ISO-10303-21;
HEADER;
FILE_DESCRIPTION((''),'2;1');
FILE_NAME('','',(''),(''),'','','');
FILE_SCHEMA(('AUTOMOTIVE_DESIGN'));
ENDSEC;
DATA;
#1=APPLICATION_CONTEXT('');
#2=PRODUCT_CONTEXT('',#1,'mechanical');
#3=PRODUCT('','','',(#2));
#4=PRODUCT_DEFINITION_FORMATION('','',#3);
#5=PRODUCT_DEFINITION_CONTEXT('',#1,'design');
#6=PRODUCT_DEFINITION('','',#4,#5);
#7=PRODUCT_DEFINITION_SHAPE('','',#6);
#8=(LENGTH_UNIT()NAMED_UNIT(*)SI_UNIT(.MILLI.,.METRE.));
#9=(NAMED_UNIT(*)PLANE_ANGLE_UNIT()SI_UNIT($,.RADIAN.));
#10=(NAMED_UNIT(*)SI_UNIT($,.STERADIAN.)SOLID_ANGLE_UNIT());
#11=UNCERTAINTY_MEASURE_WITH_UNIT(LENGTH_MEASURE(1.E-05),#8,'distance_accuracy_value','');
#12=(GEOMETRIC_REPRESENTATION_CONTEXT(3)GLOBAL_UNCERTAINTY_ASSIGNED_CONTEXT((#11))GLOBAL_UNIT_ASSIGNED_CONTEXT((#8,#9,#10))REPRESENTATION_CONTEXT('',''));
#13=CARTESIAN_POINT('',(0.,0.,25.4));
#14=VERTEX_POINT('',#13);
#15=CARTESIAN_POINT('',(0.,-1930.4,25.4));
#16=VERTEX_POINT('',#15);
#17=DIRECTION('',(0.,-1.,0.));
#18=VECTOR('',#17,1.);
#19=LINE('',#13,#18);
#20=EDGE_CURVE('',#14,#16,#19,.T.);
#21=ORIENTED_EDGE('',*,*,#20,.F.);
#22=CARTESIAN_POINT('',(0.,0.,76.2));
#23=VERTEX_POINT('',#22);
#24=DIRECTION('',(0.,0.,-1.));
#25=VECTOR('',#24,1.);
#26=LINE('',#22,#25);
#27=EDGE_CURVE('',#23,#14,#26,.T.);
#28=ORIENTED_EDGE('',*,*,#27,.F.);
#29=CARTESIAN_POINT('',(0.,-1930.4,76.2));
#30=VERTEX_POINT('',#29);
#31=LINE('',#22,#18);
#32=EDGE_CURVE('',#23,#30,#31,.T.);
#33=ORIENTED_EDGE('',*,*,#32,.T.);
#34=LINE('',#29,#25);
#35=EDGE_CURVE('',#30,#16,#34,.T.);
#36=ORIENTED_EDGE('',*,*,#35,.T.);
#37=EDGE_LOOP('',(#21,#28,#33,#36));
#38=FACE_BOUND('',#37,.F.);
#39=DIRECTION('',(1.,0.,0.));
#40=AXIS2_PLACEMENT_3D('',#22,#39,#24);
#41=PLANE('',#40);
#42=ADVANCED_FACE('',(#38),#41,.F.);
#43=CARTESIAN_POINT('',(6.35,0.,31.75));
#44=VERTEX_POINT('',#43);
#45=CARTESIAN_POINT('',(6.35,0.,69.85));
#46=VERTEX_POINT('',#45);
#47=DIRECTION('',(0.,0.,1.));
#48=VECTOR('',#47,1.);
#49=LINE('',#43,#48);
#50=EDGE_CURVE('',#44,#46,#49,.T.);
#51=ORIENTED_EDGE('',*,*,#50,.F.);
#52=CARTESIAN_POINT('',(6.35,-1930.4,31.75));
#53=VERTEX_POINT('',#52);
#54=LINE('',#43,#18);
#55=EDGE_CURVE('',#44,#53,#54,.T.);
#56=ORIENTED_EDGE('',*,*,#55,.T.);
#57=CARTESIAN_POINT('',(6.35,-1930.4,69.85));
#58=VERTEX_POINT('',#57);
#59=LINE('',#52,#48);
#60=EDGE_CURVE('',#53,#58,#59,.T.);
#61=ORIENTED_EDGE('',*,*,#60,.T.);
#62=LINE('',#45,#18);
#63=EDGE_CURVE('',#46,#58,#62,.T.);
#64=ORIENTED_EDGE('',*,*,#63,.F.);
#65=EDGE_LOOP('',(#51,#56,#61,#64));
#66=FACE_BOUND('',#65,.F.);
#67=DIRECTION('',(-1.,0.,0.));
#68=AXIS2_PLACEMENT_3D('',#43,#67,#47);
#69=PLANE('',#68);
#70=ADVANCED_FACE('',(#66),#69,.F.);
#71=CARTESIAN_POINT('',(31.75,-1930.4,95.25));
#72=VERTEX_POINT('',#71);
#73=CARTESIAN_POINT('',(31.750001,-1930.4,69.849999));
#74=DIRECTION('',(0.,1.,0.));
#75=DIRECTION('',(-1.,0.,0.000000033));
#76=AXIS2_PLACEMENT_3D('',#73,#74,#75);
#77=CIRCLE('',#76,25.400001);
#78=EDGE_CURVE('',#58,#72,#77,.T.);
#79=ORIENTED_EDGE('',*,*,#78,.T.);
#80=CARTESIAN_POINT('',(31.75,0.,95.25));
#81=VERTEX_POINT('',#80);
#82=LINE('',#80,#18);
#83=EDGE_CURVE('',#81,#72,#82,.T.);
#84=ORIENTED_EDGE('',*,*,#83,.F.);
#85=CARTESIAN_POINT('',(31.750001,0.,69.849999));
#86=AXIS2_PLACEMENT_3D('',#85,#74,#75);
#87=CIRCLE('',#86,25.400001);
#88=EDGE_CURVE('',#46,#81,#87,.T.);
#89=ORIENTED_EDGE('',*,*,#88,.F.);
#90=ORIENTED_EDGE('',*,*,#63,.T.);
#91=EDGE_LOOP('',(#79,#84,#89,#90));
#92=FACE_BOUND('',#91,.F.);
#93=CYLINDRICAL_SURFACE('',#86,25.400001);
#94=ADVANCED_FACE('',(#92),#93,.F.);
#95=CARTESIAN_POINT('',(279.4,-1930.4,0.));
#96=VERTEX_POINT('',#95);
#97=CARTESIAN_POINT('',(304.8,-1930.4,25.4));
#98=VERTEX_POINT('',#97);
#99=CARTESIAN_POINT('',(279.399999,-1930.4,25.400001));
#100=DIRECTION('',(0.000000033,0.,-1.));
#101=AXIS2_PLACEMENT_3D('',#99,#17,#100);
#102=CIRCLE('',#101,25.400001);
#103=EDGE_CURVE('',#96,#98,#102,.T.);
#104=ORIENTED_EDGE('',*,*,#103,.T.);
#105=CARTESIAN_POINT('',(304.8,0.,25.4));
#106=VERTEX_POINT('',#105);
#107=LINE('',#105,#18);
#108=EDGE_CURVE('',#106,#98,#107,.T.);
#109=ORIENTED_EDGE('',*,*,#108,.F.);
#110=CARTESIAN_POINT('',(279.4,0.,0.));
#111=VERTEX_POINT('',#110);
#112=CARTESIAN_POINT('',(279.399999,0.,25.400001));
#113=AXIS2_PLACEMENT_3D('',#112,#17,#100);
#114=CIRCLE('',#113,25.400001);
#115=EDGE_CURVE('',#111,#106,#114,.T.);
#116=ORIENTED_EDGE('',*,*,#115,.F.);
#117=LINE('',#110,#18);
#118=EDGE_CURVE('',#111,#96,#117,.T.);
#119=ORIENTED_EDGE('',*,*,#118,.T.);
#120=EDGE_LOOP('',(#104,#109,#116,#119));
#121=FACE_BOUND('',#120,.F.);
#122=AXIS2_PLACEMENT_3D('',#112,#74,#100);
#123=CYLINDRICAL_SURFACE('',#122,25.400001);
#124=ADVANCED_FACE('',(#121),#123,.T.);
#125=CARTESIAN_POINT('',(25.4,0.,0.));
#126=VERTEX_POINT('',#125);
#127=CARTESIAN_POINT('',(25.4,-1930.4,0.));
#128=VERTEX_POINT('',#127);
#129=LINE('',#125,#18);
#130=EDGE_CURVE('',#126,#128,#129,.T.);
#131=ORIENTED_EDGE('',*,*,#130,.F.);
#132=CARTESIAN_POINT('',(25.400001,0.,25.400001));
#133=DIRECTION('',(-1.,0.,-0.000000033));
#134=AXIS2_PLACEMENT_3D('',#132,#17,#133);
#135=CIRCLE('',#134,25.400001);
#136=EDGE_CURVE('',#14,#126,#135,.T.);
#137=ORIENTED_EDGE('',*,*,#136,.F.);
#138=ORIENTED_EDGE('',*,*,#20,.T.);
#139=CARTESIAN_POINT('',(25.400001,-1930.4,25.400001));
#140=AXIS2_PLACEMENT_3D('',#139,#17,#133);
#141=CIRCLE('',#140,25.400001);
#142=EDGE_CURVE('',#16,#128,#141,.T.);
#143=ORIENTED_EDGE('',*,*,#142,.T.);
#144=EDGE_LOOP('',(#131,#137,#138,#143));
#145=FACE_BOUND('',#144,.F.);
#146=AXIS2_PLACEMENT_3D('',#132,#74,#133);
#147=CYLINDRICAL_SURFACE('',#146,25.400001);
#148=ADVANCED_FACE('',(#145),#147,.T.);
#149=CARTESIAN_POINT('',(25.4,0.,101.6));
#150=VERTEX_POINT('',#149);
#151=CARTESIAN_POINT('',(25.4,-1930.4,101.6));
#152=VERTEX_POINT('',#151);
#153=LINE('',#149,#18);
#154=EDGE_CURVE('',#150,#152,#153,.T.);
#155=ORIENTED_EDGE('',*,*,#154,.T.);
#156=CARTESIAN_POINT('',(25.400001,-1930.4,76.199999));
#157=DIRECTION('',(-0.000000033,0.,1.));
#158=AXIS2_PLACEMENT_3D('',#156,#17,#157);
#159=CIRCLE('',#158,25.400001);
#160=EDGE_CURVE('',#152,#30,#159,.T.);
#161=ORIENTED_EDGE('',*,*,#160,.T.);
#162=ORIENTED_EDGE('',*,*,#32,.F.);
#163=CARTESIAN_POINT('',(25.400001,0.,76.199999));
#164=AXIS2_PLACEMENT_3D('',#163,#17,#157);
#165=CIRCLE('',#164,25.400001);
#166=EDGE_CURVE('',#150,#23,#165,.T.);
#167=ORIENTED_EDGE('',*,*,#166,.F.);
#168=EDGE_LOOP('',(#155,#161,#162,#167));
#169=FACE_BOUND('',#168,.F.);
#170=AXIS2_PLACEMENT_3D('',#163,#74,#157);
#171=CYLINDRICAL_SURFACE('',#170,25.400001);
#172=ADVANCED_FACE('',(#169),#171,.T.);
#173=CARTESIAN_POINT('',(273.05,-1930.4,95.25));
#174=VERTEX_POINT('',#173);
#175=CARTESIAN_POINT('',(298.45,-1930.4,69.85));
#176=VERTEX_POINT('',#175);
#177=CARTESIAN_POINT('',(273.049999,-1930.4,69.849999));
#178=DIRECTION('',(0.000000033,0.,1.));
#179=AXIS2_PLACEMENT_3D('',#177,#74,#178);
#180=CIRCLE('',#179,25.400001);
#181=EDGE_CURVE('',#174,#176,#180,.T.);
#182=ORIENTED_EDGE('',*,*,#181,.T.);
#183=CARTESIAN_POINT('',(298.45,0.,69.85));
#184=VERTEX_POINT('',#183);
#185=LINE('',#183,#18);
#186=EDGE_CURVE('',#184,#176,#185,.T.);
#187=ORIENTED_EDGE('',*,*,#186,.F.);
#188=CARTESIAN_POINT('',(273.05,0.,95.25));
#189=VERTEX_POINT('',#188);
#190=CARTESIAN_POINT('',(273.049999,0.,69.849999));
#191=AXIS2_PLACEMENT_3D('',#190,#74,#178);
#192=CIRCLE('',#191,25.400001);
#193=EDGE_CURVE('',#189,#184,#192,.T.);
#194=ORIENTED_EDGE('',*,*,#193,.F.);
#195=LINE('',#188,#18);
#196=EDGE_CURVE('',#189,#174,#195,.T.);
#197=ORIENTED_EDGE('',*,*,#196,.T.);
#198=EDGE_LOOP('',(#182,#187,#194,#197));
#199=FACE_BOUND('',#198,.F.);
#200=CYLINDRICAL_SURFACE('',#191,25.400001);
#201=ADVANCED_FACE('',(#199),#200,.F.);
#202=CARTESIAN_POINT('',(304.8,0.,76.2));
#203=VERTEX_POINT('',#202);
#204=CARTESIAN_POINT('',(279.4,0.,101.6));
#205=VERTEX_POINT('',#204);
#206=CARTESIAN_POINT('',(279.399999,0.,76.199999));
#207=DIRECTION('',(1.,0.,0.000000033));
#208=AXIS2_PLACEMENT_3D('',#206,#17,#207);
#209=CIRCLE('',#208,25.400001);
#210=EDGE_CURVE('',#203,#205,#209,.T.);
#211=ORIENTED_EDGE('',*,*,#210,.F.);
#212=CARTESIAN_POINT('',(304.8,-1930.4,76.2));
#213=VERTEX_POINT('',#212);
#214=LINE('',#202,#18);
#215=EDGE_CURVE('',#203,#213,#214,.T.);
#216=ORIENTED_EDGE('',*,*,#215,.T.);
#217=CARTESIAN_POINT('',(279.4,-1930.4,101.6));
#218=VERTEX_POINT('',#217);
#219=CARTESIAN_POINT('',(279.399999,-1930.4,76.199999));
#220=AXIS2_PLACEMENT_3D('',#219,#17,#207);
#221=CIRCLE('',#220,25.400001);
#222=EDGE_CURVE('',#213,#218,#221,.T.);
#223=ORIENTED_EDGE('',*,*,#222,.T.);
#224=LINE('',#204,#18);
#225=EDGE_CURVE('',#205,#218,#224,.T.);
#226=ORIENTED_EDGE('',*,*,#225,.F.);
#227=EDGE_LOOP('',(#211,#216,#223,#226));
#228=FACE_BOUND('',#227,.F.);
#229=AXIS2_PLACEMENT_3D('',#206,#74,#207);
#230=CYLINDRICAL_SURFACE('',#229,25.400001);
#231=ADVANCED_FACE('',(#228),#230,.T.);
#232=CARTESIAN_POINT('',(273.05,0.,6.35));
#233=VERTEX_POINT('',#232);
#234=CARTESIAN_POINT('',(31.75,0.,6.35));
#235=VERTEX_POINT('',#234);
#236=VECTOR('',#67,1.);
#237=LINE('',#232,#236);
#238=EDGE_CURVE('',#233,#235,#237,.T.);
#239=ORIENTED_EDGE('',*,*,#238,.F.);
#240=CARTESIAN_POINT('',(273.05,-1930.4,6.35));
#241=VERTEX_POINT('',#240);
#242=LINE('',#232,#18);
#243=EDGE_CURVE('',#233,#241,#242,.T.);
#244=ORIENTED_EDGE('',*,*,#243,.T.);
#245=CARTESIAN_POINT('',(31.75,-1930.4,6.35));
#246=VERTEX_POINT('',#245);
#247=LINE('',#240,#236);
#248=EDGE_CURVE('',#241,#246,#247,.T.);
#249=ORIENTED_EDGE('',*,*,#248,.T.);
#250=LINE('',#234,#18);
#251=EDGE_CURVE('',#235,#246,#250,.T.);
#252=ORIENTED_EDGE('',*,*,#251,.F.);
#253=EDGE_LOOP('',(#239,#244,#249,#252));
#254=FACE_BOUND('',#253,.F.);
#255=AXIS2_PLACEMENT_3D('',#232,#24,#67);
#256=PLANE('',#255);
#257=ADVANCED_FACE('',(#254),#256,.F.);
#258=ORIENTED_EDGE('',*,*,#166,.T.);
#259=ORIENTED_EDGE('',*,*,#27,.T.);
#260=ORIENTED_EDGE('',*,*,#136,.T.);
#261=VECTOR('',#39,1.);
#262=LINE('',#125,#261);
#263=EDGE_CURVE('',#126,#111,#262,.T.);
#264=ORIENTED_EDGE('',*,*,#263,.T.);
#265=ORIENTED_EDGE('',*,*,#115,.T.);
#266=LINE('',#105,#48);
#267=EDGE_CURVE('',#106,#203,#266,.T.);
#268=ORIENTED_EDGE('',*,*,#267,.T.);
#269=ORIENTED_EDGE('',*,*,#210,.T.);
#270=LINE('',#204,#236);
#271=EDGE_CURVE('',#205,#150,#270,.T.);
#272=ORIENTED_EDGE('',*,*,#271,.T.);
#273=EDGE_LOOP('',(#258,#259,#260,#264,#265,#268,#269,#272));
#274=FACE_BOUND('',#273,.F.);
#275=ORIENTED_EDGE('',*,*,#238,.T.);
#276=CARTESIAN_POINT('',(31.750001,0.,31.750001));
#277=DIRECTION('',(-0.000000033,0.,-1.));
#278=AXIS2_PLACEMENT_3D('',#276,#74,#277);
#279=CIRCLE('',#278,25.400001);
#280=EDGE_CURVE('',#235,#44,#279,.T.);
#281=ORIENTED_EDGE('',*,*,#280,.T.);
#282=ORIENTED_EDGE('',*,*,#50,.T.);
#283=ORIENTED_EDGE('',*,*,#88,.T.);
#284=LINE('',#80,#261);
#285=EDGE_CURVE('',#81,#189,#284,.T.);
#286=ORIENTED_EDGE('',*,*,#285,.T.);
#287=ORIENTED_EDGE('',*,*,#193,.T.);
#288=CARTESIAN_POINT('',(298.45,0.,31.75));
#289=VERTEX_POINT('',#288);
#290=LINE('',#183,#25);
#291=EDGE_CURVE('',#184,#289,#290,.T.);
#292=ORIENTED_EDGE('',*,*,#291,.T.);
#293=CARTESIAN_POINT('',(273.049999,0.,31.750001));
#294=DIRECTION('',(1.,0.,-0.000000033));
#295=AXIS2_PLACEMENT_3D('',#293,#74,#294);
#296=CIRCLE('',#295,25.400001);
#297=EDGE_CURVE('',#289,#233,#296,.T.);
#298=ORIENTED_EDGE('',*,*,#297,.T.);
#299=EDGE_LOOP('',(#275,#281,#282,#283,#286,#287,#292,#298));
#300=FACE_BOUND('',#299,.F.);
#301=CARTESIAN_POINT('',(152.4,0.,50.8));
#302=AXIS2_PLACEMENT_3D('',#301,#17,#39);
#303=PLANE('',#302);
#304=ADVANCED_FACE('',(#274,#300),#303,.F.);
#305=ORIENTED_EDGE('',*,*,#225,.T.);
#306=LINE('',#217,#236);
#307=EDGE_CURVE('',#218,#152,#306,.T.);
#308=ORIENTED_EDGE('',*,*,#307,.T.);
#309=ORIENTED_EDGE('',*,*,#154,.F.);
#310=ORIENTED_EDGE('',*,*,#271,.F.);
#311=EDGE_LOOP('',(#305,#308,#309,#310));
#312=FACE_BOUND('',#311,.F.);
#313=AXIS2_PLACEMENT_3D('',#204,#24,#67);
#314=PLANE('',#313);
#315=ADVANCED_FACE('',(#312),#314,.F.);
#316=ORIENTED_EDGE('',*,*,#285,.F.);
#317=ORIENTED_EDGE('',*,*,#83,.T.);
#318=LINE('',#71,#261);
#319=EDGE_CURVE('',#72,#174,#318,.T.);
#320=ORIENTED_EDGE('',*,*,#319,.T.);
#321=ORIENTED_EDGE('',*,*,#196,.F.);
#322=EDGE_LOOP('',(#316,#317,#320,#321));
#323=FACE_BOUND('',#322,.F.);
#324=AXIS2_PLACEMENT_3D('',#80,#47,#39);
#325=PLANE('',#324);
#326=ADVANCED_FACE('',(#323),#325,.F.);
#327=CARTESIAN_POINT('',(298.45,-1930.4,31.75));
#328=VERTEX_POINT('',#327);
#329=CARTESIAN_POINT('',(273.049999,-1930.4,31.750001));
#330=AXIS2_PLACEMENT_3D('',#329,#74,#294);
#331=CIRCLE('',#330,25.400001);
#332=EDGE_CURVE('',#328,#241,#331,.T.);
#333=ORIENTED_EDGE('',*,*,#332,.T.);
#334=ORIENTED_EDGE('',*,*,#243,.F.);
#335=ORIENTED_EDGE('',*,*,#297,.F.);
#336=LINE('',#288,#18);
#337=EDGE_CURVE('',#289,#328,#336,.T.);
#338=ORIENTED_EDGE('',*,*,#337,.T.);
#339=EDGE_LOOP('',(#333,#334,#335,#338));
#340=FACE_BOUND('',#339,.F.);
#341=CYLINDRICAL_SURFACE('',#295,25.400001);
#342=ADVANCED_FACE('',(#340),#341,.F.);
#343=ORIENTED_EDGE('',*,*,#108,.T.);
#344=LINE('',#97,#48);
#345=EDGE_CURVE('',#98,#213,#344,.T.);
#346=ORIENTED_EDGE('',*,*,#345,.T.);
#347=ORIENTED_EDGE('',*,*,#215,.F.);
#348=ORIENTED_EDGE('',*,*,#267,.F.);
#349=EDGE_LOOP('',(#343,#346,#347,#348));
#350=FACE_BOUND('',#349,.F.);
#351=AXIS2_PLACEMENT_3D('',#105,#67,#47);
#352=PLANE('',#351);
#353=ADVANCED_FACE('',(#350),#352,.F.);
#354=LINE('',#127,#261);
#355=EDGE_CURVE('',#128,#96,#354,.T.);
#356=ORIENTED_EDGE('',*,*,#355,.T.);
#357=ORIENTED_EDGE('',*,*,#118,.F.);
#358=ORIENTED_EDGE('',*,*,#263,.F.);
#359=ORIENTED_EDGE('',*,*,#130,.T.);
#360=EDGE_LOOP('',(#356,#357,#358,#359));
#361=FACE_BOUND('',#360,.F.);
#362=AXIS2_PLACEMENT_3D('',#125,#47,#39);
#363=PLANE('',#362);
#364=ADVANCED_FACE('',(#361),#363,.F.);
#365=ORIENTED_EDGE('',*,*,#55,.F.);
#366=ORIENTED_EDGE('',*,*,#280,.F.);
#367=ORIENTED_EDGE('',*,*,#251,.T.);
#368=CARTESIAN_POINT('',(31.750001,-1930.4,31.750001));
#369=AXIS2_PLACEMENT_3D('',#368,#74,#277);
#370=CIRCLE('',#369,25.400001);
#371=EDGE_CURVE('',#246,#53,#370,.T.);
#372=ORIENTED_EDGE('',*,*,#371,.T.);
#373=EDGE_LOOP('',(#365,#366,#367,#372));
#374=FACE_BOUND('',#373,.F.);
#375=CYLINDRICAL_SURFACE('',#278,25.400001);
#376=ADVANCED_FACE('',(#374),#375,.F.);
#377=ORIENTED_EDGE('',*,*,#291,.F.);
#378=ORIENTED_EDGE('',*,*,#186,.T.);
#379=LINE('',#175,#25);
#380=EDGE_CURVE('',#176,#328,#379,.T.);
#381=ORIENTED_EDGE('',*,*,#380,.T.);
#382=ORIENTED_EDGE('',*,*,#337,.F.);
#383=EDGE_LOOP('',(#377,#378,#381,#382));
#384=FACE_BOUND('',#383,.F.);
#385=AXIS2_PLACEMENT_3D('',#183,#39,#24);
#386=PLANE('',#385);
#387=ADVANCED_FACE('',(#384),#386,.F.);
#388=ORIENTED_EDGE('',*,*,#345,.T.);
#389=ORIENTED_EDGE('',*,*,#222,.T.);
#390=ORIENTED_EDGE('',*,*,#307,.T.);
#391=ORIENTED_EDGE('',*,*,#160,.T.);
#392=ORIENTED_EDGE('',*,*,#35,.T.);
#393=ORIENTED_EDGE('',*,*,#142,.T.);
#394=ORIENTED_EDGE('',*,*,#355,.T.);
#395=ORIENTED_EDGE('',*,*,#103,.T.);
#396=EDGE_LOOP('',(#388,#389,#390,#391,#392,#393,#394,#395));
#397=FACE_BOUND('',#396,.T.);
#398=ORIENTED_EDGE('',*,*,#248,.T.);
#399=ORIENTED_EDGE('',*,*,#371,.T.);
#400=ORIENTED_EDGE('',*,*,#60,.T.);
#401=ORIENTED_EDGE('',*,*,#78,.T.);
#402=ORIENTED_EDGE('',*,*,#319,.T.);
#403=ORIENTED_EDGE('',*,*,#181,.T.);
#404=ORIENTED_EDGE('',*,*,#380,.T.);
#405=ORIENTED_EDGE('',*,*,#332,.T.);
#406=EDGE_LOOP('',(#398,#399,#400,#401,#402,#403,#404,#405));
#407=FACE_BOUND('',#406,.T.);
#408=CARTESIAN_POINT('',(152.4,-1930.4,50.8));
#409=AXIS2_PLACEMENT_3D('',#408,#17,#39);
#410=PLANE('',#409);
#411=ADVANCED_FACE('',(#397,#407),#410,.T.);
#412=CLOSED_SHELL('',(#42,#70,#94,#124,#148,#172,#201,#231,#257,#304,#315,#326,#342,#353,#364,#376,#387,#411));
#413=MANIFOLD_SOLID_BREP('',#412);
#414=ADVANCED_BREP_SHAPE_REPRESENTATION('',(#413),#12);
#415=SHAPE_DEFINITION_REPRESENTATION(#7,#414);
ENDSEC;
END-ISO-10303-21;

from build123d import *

# Parameters (mm, degrees)
F1_DEPTH = 1930.4


with BuildPart() as f1:
    # F0 (on Front) → F1 (new body)
    with BuildSketch(Plane.XZ):
        with BuildLine():
            ThreePointArc((0, 25.4), (7.439488, 7.439488), (25.4, 0))
            Line((25.4, 0), (279.4, 0))
            ThreePointArc((279.4, 0), (297.360512, 7.439488), (304.8, 25.4))
            Line((304.8, 25.4), (304.8, 76.2))
            ThreePointArc((304.8, 76.2), (297.360512, 94.160512), (279.4, 101.6))
            Line((279.4, 101.6), (25.4, 101.6))
            ThreePointArc((25.4, 101.6), (7.439488, 94.160512), (0, 76.2))
            Line((0, 76.2), (0, 25.4))
        make_face()
        with BuildLine():
            Line((273.05, 6.35), (31.75, 6.35))
            ThreePointArc((31.75, 6.35), (13.789488, 13.789488), (6.35, 31.75))
            Line((6.35, 31.75), (6.35, 69.85))
            ThreePointArc((6.35, 69.85), (13.789488, 87.810512), (31.75, 95.25))
            Line((31.75, 95.25), (273.05, 95.25))
            ThreePointArc((273.05, 95.25), (291.010512, 87.810512), (298.45, 69.85))
            Line((298.45, 69.85), (298.45, 31.75))
            ThreePointArc((298.45, 31.75), (291.010512, 13.789488), (273.05, 6.35))
        make_face(mode=Mode.SUBTRACT)
    extrude(amount=F1_DEPTH)


solid = f1.part
